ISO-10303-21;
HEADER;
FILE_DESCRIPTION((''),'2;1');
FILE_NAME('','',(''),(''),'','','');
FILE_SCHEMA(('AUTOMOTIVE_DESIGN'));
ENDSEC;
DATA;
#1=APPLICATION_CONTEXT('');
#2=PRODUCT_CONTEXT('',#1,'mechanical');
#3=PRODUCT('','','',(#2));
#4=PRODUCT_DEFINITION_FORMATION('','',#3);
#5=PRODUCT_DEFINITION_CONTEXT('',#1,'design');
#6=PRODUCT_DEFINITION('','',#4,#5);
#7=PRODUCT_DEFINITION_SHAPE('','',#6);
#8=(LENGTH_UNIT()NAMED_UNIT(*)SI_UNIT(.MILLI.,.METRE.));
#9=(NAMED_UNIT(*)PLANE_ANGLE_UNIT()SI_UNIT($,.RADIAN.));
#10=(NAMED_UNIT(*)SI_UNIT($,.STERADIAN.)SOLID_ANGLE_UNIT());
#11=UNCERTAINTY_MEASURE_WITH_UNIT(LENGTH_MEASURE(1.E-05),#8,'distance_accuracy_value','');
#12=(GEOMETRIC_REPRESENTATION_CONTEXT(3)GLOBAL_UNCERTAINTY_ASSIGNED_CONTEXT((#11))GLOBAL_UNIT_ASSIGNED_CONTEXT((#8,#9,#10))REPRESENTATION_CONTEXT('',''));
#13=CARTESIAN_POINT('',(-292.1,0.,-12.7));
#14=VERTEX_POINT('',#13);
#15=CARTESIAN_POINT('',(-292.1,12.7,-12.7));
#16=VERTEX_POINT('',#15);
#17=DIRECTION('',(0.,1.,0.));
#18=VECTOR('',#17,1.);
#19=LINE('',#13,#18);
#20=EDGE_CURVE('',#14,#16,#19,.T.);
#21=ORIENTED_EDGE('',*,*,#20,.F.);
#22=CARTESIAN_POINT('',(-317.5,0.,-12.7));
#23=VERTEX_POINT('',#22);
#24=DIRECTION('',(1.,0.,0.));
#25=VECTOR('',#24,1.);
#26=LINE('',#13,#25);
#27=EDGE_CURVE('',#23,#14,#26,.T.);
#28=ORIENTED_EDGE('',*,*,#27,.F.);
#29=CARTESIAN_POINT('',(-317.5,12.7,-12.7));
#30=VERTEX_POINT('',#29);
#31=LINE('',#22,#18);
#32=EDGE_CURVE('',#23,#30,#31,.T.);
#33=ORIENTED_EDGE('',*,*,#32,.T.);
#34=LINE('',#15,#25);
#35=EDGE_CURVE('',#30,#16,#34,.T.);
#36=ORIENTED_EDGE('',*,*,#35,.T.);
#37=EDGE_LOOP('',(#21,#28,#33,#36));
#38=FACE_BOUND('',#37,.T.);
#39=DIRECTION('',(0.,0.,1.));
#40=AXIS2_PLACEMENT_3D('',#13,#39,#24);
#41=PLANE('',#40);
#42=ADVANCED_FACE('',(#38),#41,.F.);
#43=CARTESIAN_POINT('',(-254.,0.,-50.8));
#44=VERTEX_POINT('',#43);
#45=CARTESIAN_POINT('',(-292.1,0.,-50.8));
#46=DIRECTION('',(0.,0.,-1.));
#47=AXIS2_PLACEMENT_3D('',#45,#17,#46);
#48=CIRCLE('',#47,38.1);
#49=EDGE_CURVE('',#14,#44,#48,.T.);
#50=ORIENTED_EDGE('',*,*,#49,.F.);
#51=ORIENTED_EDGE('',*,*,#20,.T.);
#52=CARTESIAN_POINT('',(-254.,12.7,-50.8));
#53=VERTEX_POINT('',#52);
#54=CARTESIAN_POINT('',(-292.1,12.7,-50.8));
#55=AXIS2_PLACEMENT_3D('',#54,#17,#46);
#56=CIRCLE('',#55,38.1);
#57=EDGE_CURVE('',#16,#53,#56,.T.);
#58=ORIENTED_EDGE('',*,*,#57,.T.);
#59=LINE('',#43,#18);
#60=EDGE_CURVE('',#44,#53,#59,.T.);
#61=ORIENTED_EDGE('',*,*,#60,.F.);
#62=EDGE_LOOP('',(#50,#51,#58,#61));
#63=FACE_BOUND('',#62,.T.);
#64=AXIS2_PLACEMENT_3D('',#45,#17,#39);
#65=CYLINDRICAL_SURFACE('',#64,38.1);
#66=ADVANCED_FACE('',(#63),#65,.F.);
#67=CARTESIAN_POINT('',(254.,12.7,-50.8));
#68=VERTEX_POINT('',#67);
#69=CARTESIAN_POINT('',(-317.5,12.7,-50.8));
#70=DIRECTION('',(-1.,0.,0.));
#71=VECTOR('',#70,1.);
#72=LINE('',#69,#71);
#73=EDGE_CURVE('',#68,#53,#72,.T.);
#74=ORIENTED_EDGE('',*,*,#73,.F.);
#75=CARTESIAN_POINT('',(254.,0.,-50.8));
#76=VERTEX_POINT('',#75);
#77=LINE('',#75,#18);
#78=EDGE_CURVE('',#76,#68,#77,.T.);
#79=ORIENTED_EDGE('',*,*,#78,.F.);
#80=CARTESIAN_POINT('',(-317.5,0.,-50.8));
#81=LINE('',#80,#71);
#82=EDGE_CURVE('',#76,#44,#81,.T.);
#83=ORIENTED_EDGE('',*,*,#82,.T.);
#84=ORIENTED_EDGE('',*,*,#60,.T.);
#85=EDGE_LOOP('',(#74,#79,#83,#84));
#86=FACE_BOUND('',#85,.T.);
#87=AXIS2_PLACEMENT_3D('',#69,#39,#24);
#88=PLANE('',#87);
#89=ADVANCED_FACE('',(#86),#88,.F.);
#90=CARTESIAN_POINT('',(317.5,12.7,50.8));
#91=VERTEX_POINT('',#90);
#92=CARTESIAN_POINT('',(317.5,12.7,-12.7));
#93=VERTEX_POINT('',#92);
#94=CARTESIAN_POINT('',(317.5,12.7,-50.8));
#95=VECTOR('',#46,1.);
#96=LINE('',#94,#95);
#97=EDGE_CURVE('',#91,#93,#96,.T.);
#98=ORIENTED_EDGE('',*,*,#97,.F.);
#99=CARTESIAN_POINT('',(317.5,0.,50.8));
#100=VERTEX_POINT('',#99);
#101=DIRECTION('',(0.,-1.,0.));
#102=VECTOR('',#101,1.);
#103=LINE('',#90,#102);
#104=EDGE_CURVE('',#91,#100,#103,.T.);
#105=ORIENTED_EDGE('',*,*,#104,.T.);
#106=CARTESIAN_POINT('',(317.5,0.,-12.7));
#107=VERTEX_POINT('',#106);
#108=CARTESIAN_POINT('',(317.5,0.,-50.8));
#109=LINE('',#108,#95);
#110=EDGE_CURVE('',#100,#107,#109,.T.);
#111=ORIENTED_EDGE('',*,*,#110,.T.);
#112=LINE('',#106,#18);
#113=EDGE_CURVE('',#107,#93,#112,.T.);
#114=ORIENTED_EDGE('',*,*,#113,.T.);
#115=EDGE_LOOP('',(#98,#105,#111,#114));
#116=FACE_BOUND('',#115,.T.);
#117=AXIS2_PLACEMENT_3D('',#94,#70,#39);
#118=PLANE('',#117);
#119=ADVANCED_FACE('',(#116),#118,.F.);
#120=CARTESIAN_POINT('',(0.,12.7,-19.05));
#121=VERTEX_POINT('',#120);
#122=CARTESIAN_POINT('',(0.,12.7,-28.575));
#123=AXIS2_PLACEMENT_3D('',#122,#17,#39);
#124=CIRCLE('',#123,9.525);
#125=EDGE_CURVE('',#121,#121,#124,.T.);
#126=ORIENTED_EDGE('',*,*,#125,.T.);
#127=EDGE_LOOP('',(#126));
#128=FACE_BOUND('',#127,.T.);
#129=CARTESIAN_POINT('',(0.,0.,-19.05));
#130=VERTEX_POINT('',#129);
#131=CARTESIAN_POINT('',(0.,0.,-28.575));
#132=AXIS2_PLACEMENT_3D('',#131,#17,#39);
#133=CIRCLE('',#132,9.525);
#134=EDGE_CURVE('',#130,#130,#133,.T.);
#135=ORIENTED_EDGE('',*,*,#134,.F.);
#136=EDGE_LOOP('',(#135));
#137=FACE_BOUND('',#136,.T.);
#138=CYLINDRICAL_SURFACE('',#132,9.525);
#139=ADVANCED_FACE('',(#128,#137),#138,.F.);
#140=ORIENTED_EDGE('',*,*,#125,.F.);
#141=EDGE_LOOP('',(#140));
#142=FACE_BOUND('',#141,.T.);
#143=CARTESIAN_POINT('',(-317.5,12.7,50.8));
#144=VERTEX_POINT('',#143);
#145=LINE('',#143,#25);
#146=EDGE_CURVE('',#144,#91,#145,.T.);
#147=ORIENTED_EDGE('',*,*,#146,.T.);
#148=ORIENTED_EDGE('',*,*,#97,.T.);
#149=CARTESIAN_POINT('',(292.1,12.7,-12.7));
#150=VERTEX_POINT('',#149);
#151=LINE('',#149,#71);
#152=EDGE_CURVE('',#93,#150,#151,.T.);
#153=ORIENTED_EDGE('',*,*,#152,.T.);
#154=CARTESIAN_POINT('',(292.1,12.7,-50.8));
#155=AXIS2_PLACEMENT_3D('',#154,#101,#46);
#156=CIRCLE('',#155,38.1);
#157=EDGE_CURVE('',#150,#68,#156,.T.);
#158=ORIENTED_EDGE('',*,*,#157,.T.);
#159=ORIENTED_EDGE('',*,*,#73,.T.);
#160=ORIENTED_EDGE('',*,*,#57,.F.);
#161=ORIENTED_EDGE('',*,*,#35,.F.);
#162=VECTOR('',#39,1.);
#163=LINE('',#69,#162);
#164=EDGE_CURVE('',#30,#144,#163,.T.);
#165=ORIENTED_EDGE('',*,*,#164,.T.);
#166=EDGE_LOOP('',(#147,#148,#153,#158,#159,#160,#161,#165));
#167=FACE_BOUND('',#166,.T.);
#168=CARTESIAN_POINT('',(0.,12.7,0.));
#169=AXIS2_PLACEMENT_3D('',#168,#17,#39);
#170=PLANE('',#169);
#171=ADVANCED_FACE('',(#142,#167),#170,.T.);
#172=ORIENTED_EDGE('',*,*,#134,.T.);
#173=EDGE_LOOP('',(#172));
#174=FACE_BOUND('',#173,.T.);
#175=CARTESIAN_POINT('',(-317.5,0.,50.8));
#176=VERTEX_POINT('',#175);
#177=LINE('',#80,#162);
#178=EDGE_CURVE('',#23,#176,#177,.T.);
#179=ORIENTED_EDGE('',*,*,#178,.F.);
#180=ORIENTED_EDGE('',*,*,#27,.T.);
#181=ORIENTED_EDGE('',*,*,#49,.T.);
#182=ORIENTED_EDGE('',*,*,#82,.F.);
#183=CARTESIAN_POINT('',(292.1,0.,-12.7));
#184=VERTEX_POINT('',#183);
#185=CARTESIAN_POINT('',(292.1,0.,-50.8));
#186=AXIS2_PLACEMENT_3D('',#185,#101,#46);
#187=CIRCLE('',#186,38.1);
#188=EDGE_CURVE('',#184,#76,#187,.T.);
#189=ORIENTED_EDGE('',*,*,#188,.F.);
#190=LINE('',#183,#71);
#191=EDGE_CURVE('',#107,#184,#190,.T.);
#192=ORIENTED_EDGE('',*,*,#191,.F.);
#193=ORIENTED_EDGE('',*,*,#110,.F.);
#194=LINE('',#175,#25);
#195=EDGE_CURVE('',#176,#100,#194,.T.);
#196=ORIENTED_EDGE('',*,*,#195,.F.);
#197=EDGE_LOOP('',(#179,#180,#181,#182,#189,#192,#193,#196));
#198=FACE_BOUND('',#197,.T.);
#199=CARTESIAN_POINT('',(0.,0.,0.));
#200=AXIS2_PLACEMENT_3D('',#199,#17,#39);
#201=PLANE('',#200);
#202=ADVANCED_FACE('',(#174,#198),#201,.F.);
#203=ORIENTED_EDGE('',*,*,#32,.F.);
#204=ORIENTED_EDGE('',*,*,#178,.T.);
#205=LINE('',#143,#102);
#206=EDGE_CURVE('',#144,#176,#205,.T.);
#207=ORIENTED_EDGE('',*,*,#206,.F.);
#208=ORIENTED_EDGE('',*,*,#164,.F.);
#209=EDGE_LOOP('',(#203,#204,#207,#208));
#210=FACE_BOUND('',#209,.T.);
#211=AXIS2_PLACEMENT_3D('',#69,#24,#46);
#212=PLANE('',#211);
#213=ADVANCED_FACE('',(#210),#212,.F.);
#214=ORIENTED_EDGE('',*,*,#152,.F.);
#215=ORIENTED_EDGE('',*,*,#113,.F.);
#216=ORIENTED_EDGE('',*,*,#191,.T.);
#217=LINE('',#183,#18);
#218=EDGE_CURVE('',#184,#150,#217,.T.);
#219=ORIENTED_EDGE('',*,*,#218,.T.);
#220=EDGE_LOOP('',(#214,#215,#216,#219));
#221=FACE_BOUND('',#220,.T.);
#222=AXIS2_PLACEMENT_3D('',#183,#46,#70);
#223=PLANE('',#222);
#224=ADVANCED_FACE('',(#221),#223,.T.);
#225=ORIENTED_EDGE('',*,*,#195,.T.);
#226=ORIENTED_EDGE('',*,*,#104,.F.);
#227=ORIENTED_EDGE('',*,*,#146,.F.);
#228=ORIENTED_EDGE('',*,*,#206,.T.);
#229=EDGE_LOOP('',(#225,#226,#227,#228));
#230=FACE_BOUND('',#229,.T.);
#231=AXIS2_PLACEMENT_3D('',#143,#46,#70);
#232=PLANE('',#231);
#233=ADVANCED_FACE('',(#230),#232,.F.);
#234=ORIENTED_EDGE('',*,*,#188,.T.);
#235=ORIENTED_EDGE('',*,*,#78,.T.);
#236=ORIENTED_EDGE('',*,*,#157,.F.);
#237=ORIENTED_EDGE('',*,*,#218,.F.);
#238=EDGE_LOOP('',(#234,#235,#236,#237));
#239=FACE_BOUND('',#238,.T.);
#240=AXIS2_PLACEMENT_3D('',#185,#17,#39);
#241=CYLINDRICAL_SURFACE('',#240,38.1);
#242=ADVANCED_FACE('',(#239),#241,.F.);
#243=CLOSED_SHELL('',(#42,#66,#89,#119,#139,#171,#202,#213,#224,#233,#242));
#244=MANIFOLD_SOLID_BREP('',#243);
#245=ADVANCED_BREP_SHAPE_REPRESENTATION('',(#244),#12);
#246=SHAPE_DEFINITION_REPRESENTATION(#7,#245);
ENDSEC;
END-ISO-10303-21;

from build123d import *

# Parameters (mm, degrees)
SKETCH1_W           = 635
SKETCH1_H           = 101.6
BOSS_EXTRUDE1_DEPTH = 12.7
CUT_EXTRUDE1_DEPTH  = 322.789030267
SKETCH3_R           = 9.525
CUT_EXTRUDE2_DEPTH  = 322.789030267


with BuildPart() as part:
    # Sketch1 → Boss-Extrude1 (new body)
    with BuildSketch(Plane(origin=(0, 0, 0), x_dir=(1, 0, 0), z_dir=(0, 1, 0))):
        Rectangle(SKETCH1_W, SKETCH1_H)
    extrude(amount=BOSS_EXTRUDE1_DEPTH)

    # Sketch2 → Cut-Extrude1 (cut, through all)
    with BuildSketch(Plane(origin=(0, 12.7, 0), x_dir=(1, 0, 0), z_dir=(0, 1, 0))):
        with BuildLine():
            Line((-292.1, 12.7), (-317.5, 12.7))
            Line((-317.5, 12.7), (-317.5, 50.8))
            Line((-317.5, 50.8), (-254, 50.8))
            ThreePointArc((-254, 50.8), (-265.159231637, 23.859231637), (-292.1, 12.7))
        make_face()
    cut_extrude1 = extrude(amount=-CUT_EXTRUDE1_DEPTH, mode=Mode.SUBTRACT)

    # Mirror1: Cut-Extrude1 across plane
    add(cut_extrude1.mirror(Plane(origin=(0, 0, 0), x_dir=(0, 0, 1), z_dir=(1, 0, 0))), mode=Mode.SUBTRACT)

    # Sketch3 → Cut-Extrude2 (cut, through all)
    with BuildSketch(Plane(origin=(0, 12.7, 0), x_dir=(1, 0, 0), z_dir=(0, 1, 0))):
        with Locations(Location((0, 28.575, 0), (0, 0, 270))):
            Circle(SKETCH3_R)
    extrude(amount=-CUT_EXTRUDE2_DEPTH, mode=Mode.SUBTRACT)


solid = part.part
